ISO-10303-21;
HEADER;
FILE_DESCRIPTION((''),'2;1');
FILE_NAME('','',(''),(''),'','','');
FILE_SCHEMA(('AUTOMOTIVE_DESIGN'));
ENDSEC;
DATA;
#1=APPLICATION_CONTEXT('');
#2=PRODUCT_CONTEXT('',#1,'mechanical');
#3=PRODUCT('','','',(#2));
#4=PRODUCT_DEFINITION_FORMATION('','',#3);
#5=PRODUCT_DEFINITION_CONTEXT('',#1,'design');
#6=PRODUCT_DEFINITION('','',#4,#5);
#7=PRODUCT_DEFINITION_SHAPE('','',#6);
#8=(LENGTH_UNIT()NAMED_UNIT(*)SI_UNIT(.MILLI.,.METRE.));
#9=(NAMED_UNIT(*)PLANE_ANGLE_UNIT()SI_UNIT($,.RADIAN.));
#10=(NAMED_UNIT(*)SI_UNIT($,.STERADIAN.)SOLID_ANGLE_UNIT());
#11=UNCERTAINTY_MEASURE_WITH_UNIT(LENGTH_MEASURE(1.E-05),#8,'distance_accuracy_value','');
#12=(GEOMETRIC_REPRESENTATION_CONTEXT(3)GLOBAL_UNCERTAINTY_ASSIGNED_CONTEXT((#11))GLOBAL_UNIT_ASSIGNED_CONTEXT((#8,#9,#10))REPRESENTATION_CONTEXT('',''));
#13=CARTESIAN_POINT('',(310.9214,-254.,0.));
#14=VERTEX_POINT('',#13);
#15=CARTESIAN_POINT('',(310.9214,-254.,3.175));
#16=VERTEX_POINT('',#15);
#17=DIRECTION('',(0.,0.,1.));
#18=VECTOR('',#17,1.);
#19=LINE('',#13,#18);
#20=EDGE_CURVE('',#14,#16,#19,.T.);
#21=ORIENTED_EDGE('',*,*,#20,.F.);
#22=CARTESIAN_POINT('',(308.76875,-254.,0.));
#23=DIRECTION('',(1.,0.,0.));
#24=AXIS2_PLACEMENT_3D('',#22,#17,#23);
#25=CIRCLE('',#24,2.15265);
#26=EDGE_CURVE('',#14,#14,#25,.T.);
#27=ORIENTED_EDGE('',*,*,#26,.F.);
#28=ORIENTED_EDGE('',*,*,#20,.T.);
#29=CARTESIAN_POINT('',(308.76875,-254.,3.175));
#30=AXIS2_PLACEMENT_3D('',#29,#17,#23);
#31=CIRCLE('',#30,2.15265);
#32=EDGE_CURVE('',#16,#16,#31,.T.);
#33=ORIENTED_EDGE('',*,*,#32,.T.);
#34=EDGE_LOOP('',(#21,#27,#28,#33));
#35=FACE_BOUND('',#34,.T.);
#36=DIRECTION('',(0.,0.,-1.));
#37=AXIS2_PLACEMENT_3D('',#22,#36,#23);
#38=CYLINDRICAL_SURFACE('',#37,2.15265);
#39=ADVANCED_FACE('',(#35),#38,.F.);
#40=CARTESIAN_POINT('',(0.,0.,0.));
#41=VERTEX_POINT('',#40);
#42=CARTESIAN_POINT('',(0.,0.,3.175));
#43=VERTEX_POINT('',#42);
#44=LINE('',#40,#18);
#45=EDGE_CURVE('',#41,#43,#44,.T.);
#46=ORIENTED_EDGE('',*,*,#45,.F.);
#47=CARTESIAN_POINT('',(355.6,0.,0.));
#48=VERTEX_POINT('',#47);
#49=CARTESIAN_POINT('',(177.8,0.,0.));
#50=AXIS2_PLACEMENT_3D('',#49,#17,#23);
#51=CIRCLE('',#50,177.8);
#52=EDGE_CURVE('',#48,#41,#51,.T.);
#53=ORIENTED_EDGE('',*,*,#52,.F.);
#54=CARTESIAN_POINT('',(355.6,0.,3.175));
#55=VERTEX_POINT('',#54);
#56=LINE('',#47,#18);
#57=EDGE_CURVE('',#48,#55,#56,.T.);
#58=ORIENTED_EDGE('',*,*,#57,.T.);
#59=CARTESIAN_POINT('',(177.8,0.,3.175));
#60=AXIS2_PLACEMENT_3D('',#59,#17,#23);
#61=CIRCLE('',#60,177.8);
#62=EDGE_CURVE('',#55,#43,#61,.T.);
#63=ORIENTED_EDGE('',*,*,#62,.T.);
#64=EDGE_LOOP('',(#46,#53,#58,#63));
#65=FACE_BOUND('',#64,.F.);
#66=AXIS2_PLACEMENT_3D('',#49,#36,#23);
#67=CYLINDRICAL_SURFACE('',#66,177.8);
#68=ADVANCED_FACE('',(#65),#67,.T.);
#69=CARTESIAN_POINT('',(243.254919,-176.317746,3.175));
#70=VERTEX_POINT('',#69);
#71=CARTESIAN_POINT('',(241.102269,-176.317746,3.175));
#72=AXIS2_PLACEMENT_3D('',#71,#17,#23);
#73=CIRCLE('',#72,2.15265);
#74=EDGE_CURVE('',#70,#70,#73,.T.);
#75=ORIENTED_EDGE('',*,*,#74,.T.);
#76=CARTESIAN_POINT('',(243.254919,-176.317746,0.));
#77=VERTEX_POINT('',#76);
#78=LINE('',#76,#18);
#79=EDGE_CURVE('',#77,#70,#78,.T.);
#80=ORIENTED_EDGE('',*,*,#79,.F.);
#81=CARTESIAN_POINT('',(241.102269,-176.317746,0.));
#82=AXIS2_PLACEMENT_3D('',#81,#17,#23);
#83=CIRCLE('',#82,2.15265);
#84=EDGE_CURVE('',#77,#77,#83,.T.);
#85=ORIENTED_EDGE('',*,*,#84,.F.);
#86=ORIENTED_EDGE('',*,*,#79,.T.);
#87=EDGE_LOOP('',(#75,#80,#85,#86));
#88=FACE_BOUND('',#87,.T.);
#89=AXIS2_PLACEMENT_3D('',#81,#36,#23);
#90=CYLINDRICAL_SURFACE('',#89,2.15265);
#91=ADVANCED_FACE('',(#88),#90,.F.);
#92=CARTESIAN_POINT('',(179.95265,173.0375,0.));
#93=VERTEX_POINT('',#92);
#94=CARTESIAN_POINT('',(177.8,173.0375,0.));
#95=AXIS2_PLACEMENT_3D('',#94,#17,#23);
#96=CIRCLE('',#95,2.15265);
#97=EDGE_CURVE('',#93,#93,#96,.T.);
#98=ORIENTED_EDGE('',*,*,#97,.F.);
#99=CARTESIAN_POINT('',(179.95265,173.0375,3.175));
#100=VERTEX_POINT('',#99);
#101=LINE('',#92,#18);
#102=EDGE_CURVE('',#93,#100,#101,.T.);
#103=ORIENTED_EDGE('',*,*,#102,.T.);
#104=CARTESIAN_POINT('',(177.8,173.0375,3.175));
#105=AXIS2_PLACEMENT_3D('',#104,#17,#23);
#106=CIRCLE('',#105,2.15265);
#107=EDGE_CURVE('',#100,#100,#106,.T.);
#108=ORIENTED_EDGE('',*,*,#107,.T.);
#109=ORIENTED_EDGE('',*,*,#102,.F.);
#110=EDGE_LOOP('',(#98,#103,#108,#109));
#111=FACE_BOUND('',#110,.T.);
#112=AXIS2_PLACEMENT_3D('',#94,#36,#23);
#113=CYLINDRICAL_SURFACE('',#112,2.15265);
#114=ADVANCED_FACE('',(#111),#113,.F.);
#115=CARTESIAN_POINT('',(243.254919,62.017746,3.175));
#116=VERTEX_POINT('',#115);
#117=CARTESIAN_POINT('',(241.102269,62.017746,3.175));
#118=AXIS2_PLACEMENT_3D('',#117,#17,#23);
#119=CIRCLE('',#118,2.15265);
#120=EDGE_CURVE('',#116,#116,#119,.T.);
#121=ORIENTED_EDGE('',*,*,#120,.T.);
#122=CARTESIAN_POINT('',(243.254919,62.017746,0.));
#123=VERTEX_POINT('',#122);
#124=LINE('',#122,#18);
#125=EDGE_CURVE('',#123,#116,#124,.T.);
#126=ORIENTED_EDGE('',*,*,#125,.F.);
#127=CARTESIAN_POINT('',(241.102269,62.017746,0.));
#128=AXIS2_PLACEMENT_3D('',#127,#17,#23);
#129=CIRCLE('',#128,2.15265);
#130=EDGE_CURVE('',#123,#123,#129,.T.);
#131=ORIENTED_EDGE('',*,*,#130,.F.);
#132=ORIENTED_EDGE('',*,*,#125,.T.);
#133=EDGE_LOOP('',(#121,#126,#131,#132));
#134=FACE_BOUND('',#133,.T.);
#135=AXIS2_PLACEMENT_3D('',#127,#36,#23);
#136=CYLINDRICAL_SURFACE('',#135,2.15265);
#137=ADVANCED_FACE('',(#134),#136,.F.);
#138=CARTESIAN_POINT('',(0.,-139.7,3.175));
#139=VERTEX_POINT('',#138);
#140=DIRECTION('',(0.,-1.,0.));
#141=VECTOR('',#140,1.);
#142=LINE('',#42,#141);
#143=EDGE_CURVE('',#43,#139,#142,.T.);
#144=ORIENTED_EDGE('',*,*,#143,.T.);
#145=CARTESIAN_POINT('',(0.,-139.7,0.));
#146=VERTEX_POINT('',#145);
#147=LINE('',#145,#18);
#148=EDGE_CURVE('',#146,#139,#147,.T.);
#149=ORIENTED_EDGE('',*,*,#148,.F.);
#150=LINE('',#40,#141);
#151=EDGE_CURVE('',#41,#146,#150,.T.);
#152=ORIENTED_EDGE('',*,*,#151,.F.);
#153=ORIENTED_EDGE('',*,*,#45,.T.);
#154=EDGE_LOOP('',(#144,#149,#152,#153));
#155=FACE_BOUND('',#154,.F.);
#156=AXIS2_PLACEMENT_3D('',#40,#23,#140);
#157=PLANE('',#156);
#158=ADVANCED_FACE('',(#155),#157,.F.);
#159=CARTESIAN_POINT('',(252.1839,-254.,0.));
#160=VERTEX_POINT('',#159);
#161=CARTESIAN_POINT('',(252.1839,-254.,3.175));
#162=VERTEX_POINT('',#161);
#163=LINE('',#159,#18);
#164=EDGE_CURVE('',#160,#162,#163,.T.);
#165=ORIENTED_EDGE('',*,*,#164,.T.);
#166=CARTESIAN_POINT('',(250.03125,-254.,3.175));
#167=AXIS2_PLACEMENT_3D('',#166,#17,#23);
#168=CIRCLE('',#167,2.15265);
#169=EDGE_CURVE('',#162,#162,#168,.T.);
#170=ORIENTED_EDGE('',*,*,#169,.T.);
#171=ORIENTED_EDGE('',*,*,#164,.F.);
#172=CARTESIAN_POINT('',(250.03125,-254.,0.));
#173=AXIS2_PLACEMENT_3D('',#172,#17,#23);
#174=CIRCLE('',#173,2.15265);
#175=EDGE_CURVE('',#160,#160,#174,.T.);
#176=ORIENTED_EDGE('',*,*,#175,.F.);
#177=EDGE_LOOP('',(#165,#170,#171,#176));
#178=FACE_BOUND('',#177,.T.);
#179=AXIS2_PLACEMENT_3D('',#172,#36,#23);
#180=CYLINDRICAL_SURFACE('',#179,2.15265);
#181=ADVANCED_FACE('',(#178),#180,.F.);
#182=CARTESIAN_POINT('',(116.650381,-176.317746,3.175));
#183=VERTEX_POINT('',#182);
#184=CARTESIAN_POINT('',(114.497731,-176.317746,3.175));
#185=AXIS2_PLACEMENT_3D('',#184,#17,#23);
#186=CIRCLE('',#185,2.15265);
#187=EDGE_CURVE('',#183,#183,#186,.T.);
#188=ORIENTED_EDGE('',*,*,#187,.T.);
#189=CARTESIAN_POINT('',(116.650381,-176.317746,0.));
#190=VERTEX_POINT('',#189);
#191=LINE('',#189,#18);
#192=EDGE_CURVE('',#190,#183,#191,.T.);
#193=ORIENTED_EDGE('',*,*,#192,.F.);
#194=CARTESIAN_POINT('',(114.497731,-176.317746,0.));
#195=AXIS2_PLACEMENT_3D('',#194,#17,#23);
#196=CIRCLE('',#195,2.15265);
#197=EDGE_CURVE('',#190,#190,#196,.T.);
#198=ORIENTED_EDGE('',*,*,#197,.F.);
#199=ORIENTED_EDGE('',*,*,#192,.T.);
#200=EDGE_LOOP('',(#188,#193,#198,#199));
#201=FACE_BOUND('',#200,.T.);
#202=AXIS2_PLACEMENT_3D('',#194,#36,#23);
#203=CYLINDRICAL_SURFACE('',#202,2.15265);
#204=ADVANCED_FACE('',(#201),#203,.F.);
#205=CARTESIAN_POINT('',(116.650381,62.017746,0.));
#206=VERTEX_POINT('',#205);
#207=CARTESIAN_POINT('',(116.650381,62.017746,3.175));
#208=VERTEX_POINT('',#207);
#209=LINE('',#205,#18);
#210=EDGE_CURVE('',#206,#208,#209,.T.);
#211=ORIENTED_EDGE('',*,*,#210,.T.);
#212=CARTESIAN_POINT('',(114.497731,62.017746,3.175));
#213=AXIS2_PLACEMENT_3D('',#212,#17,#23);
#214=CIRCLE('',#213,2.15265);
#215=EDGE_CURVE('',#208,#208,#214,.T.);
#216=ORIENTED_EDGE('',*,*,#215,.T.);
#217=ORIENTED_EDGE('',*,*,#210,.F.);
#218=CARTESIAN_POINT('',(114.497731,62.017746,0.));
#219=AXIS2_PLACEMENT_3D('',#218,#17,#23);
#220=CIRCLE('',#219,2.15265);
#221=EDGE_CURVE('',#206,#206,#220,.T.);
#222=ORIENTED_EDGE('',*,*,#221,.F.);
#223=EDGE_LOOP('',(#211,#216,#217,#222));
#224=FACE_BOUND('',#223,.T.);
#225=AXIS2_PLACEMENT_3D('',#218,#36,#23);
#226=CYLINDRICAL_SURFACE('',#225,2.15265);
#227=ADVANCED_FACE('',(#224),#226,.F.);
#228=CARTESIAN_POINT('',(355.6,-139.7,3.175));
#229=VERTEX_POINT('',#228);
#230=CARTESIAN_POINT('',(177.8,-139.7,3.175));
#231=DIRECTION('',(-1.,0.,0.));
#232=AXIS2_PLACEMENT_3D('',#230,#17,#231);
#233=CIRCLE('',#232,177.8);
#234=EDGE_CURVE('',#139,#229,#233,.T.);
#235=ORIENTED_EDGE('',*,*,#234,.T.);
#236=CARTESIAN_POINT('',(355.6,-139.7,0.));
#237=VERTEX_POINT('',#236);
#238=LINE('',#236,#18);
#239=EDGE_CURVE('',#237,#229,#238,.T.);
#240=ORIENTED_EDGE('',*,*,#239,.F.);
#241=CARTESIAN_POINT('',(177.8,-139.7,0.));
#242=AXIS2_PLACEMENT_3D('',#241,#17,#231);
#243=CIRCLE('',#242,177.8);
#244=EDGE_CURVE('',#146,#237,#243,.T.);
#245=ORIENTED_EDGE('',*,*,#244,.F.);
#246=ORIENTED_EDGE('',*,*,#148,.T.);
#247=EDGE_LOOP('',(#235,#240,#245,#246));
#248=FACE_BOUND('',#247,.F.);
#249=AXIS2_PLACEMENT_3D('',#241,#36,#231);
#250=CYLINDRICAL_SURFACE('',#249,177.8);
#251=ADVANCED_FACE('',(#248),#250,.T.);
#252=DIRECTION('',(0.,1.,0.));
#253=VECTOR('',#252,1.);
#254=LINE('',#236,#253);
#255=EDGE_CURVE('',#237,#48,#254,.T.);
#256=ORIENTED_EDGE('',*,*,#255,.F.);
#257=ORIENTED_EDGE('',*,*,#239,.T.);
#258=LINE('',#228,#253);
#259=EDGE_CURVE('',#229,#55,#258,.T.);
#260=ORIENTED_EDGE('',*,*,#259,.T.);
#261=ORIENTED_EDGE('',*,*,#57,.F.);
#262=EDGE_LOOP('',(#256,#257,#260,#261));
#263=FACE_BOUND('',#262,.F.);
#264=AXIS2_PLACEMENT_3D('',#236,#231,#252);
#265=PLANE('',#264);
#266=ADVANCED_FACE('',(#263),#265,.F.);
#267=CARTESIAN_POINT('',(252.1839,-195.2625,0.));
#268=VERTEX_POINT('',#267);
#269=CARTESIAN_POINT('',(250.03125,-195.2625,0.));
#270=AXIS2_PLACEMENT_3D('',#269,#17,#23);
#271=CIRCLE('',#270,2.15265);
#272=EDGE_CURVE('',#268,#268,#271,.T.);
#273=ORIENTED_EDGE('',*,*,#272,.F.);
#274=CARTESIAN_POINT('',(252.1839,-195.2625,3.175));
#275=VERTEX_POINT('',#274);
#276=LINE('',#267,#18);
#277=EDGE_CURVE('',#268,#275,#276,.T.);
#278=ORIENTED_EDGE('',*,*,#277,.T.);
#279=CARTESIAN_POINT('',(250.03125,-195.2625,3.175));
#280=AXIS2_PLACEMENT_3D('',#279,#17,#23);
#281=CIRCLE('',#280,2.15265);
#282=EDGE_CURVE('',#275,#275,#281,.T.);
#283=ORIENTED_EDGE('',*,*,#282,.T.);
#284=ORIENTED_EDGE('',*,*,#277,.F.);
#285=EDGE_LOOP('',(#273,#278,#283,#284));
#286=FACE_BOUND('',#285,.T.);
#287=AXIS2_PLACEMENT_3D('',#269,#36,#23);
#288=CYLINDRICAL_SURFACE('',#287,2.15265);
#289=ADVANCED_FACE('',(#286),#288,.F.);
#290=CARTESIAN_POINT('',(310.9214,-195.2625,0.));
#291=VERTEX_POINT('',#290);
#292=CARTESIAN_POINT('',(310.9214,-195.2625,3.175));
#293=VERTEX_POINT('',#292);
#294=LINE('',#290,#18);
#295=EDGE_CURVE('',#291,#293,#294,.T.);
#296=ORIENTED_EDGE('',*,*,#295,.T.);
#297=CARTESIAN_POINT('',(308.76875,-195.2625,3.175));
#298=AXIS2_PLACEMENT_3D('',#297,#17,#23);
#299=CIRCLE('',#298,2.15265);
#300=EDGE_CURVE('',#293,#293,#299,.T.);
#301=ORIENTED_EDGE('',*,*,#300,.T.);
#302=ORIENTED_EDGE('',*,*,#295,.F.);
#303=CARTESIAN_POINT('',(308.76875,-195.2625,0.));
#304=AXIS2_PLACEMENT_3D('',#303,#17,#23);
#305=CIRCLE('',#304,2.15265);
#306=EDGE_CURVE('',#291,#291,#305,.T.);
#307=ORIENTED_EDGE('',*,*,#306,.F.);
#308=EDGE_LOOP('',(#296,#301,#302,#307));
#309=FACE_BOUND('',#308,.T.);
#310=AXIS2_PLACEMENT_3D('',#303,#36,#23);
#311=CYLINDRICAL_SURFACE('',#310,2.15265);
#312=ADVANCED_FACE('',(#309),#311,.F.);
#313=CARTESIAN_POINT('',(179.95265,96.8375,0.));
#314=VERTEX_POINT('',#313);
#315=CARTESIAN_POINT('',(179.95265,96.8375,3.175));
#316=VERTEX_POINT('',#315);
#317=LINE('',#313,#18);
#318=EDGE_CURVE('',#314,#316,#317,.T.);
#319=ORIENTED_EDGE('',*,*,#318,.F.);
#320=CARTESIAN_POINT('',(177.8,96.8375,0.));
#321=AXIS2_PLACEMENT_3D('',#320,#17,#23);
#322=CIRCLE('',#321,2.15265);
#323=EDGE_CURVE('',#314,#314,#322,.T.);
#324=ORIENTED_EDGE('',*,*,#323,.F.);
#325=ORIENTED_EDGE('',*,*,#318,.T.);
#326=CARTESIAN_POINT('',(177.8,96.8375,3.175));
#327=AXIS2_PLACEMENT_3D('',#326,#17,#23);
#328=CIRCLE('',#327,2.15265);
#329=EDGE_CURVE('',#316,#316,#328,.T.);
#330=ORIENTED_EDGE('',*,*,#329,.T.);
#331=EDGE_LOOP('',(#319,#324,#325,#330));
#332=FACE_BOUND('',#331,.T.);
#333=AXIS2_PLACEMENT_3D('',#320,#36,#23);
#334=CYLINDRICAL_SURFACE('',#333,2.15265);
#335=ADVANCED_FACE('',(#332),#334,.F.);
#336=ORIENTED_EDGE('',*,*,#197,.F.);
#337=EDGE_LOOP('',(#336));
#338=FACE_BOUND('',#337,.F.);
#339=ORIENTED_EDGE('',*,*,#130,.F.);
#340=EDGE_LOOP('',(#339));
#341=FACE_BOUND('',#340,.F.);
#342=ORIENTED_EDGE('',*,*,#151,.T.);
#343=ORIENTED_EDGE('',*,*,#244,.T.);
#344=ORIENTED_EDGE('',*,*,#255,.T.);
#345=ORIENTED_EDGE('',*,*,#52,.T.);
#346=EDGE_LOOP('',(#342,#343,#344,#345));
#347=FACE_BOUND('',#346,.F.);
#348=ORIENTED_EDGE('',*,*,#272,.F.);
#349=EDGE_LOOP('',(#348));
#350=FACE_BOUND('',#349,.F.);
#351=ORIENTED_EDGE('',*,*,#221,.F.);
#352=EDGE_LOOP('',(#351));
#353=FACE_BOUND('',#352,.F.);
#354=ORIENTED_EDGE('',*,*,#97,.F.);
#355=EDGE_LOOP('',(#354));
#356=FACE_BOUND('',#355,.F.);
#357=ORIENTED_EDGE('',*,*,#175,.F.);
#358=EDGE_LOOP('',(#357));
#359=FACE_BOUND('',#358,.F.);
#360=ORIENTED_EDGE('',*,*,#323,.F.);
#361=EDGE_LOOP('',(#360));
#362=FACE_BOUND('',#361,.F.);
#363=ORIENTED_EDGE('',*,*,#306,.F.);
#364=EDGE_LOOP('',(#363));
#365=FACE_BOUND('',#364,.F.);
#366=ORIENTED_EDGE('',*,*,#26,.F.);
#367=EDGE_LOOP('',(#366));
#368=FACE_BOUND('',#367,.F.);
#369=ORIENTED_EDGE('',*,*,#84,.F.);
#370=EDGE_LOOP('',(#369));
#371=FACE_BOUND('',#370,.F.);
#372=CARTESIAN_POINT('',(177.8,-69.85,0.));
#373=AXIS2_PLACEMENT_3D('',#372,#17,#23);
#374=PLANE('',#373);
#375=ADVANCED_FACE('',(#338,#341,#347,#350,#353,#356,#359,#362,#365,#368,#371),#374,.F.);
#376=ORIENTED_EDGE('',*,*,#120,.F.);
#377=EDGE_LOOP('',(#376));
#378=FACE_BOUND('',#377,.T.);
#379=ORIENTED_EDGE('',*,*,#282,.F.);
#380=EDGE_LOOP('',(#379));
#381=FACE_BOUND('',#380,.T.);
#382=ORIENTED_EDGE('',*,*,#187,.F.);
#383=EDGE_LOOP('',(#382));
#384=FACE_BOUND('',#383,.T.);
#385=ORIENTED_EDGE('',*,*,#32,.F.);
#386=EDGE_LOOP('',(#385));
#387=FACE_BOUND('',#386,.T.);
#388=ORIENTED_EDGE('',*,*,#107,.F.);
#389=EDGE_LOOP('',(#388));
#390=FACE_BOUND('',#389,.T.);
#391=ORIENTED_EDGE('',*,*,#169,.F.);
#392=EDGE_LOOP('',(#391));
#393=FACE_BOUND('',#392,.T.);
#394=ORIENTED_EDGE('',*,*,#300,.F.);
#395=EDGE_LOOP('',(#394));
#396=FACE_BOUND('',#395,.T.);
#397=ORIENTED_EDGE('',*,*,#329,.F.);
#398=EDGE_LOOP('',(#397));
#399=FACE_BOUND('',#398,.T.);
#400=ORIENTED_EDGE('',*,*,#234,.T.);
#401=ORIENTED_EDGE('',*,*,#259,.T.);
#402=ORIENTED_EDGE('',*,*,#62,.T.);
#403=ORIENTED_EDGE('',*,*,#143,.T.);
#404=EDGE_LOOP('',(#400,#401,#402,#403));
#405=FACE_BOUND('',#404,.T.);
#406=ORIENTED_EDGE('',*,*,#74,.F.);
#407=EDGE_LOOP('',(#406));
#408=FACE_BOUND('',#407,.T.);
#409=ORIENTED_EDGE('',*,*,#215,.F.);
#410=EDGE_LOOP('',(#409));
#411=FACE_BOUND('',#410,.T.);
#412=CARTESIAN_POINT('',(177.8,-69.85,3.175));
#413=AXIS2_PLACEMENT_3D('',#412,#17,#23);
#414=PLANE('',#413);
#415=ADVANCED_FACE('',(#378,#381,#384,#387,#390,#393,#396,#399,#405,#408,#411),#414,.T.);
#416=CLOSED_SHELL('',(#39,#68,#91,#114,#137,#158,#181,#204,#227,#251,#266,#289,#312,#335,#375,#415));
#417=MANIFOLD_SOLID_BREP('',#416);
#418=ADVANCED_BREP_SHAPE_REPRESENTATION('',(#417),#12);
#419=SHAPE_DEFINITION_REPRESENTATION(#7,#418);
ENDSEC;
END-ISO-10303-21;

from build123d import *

# Parameters (mm, degrees)
F0_R     = 2.15265
F1_DEPTH = 3.175


with BuildPart() as f1:
    # F0 (on Top) → F1 (new body)
    with BuildSketch(Plane.XY):
        with BuildLine():
            ThreePointArc((355.6, 0), (177.8, 177.8), (0, 0))
            Line((0, 0), (0, -139.7))
            ThreePointArc((0, -139.7), (177.8, -317.5), (355.6, -139.7))
            Line((355.6, -139.7), (355.6, 0))
        make_face()
        with Locations((114.497731, -176.317746)):
            Circle(F0_R, mode=Mode.SUBTRACT)
        with Locations((250.03125, -254)):
            Circle(F0_R, mode=Mode.SUBTRACT)
        with Locations((250.03125, -195.2625)):
            Circle(F0_R, mode=Mode.SUBTRACT)
        with Locations((308.76875, -254)):
            Circle(F0_R, mode=Mode.SUBTRACT)
        with Locations((308.76875, -195.2625)):
            Circle(F0_R, mode=Mode.SUBTRACT)
        with Locations((241.102269, -176.317746)):
            Circle(F0_R, mode=Mode.SUBTRACT)
        with Locations((114.497731, 62.017746)):
            Circle(F0_R, mode=Mode.SUBTRACT)
        with Locations((177.8, 96.8375)):
            Circle(F0_R, mode=Mode.SUBTRACT)
        with Locations((241.102269, 62.017746)):
            Circle(F0_R, mode=Mode.SUBTRACT)
        with Locations((177.8, 173.0375)):
            Circle(F0_R, mode=Mode.SUBTRACT)
    extrude(amount=F1_DEPTH)


solid = f1.part
